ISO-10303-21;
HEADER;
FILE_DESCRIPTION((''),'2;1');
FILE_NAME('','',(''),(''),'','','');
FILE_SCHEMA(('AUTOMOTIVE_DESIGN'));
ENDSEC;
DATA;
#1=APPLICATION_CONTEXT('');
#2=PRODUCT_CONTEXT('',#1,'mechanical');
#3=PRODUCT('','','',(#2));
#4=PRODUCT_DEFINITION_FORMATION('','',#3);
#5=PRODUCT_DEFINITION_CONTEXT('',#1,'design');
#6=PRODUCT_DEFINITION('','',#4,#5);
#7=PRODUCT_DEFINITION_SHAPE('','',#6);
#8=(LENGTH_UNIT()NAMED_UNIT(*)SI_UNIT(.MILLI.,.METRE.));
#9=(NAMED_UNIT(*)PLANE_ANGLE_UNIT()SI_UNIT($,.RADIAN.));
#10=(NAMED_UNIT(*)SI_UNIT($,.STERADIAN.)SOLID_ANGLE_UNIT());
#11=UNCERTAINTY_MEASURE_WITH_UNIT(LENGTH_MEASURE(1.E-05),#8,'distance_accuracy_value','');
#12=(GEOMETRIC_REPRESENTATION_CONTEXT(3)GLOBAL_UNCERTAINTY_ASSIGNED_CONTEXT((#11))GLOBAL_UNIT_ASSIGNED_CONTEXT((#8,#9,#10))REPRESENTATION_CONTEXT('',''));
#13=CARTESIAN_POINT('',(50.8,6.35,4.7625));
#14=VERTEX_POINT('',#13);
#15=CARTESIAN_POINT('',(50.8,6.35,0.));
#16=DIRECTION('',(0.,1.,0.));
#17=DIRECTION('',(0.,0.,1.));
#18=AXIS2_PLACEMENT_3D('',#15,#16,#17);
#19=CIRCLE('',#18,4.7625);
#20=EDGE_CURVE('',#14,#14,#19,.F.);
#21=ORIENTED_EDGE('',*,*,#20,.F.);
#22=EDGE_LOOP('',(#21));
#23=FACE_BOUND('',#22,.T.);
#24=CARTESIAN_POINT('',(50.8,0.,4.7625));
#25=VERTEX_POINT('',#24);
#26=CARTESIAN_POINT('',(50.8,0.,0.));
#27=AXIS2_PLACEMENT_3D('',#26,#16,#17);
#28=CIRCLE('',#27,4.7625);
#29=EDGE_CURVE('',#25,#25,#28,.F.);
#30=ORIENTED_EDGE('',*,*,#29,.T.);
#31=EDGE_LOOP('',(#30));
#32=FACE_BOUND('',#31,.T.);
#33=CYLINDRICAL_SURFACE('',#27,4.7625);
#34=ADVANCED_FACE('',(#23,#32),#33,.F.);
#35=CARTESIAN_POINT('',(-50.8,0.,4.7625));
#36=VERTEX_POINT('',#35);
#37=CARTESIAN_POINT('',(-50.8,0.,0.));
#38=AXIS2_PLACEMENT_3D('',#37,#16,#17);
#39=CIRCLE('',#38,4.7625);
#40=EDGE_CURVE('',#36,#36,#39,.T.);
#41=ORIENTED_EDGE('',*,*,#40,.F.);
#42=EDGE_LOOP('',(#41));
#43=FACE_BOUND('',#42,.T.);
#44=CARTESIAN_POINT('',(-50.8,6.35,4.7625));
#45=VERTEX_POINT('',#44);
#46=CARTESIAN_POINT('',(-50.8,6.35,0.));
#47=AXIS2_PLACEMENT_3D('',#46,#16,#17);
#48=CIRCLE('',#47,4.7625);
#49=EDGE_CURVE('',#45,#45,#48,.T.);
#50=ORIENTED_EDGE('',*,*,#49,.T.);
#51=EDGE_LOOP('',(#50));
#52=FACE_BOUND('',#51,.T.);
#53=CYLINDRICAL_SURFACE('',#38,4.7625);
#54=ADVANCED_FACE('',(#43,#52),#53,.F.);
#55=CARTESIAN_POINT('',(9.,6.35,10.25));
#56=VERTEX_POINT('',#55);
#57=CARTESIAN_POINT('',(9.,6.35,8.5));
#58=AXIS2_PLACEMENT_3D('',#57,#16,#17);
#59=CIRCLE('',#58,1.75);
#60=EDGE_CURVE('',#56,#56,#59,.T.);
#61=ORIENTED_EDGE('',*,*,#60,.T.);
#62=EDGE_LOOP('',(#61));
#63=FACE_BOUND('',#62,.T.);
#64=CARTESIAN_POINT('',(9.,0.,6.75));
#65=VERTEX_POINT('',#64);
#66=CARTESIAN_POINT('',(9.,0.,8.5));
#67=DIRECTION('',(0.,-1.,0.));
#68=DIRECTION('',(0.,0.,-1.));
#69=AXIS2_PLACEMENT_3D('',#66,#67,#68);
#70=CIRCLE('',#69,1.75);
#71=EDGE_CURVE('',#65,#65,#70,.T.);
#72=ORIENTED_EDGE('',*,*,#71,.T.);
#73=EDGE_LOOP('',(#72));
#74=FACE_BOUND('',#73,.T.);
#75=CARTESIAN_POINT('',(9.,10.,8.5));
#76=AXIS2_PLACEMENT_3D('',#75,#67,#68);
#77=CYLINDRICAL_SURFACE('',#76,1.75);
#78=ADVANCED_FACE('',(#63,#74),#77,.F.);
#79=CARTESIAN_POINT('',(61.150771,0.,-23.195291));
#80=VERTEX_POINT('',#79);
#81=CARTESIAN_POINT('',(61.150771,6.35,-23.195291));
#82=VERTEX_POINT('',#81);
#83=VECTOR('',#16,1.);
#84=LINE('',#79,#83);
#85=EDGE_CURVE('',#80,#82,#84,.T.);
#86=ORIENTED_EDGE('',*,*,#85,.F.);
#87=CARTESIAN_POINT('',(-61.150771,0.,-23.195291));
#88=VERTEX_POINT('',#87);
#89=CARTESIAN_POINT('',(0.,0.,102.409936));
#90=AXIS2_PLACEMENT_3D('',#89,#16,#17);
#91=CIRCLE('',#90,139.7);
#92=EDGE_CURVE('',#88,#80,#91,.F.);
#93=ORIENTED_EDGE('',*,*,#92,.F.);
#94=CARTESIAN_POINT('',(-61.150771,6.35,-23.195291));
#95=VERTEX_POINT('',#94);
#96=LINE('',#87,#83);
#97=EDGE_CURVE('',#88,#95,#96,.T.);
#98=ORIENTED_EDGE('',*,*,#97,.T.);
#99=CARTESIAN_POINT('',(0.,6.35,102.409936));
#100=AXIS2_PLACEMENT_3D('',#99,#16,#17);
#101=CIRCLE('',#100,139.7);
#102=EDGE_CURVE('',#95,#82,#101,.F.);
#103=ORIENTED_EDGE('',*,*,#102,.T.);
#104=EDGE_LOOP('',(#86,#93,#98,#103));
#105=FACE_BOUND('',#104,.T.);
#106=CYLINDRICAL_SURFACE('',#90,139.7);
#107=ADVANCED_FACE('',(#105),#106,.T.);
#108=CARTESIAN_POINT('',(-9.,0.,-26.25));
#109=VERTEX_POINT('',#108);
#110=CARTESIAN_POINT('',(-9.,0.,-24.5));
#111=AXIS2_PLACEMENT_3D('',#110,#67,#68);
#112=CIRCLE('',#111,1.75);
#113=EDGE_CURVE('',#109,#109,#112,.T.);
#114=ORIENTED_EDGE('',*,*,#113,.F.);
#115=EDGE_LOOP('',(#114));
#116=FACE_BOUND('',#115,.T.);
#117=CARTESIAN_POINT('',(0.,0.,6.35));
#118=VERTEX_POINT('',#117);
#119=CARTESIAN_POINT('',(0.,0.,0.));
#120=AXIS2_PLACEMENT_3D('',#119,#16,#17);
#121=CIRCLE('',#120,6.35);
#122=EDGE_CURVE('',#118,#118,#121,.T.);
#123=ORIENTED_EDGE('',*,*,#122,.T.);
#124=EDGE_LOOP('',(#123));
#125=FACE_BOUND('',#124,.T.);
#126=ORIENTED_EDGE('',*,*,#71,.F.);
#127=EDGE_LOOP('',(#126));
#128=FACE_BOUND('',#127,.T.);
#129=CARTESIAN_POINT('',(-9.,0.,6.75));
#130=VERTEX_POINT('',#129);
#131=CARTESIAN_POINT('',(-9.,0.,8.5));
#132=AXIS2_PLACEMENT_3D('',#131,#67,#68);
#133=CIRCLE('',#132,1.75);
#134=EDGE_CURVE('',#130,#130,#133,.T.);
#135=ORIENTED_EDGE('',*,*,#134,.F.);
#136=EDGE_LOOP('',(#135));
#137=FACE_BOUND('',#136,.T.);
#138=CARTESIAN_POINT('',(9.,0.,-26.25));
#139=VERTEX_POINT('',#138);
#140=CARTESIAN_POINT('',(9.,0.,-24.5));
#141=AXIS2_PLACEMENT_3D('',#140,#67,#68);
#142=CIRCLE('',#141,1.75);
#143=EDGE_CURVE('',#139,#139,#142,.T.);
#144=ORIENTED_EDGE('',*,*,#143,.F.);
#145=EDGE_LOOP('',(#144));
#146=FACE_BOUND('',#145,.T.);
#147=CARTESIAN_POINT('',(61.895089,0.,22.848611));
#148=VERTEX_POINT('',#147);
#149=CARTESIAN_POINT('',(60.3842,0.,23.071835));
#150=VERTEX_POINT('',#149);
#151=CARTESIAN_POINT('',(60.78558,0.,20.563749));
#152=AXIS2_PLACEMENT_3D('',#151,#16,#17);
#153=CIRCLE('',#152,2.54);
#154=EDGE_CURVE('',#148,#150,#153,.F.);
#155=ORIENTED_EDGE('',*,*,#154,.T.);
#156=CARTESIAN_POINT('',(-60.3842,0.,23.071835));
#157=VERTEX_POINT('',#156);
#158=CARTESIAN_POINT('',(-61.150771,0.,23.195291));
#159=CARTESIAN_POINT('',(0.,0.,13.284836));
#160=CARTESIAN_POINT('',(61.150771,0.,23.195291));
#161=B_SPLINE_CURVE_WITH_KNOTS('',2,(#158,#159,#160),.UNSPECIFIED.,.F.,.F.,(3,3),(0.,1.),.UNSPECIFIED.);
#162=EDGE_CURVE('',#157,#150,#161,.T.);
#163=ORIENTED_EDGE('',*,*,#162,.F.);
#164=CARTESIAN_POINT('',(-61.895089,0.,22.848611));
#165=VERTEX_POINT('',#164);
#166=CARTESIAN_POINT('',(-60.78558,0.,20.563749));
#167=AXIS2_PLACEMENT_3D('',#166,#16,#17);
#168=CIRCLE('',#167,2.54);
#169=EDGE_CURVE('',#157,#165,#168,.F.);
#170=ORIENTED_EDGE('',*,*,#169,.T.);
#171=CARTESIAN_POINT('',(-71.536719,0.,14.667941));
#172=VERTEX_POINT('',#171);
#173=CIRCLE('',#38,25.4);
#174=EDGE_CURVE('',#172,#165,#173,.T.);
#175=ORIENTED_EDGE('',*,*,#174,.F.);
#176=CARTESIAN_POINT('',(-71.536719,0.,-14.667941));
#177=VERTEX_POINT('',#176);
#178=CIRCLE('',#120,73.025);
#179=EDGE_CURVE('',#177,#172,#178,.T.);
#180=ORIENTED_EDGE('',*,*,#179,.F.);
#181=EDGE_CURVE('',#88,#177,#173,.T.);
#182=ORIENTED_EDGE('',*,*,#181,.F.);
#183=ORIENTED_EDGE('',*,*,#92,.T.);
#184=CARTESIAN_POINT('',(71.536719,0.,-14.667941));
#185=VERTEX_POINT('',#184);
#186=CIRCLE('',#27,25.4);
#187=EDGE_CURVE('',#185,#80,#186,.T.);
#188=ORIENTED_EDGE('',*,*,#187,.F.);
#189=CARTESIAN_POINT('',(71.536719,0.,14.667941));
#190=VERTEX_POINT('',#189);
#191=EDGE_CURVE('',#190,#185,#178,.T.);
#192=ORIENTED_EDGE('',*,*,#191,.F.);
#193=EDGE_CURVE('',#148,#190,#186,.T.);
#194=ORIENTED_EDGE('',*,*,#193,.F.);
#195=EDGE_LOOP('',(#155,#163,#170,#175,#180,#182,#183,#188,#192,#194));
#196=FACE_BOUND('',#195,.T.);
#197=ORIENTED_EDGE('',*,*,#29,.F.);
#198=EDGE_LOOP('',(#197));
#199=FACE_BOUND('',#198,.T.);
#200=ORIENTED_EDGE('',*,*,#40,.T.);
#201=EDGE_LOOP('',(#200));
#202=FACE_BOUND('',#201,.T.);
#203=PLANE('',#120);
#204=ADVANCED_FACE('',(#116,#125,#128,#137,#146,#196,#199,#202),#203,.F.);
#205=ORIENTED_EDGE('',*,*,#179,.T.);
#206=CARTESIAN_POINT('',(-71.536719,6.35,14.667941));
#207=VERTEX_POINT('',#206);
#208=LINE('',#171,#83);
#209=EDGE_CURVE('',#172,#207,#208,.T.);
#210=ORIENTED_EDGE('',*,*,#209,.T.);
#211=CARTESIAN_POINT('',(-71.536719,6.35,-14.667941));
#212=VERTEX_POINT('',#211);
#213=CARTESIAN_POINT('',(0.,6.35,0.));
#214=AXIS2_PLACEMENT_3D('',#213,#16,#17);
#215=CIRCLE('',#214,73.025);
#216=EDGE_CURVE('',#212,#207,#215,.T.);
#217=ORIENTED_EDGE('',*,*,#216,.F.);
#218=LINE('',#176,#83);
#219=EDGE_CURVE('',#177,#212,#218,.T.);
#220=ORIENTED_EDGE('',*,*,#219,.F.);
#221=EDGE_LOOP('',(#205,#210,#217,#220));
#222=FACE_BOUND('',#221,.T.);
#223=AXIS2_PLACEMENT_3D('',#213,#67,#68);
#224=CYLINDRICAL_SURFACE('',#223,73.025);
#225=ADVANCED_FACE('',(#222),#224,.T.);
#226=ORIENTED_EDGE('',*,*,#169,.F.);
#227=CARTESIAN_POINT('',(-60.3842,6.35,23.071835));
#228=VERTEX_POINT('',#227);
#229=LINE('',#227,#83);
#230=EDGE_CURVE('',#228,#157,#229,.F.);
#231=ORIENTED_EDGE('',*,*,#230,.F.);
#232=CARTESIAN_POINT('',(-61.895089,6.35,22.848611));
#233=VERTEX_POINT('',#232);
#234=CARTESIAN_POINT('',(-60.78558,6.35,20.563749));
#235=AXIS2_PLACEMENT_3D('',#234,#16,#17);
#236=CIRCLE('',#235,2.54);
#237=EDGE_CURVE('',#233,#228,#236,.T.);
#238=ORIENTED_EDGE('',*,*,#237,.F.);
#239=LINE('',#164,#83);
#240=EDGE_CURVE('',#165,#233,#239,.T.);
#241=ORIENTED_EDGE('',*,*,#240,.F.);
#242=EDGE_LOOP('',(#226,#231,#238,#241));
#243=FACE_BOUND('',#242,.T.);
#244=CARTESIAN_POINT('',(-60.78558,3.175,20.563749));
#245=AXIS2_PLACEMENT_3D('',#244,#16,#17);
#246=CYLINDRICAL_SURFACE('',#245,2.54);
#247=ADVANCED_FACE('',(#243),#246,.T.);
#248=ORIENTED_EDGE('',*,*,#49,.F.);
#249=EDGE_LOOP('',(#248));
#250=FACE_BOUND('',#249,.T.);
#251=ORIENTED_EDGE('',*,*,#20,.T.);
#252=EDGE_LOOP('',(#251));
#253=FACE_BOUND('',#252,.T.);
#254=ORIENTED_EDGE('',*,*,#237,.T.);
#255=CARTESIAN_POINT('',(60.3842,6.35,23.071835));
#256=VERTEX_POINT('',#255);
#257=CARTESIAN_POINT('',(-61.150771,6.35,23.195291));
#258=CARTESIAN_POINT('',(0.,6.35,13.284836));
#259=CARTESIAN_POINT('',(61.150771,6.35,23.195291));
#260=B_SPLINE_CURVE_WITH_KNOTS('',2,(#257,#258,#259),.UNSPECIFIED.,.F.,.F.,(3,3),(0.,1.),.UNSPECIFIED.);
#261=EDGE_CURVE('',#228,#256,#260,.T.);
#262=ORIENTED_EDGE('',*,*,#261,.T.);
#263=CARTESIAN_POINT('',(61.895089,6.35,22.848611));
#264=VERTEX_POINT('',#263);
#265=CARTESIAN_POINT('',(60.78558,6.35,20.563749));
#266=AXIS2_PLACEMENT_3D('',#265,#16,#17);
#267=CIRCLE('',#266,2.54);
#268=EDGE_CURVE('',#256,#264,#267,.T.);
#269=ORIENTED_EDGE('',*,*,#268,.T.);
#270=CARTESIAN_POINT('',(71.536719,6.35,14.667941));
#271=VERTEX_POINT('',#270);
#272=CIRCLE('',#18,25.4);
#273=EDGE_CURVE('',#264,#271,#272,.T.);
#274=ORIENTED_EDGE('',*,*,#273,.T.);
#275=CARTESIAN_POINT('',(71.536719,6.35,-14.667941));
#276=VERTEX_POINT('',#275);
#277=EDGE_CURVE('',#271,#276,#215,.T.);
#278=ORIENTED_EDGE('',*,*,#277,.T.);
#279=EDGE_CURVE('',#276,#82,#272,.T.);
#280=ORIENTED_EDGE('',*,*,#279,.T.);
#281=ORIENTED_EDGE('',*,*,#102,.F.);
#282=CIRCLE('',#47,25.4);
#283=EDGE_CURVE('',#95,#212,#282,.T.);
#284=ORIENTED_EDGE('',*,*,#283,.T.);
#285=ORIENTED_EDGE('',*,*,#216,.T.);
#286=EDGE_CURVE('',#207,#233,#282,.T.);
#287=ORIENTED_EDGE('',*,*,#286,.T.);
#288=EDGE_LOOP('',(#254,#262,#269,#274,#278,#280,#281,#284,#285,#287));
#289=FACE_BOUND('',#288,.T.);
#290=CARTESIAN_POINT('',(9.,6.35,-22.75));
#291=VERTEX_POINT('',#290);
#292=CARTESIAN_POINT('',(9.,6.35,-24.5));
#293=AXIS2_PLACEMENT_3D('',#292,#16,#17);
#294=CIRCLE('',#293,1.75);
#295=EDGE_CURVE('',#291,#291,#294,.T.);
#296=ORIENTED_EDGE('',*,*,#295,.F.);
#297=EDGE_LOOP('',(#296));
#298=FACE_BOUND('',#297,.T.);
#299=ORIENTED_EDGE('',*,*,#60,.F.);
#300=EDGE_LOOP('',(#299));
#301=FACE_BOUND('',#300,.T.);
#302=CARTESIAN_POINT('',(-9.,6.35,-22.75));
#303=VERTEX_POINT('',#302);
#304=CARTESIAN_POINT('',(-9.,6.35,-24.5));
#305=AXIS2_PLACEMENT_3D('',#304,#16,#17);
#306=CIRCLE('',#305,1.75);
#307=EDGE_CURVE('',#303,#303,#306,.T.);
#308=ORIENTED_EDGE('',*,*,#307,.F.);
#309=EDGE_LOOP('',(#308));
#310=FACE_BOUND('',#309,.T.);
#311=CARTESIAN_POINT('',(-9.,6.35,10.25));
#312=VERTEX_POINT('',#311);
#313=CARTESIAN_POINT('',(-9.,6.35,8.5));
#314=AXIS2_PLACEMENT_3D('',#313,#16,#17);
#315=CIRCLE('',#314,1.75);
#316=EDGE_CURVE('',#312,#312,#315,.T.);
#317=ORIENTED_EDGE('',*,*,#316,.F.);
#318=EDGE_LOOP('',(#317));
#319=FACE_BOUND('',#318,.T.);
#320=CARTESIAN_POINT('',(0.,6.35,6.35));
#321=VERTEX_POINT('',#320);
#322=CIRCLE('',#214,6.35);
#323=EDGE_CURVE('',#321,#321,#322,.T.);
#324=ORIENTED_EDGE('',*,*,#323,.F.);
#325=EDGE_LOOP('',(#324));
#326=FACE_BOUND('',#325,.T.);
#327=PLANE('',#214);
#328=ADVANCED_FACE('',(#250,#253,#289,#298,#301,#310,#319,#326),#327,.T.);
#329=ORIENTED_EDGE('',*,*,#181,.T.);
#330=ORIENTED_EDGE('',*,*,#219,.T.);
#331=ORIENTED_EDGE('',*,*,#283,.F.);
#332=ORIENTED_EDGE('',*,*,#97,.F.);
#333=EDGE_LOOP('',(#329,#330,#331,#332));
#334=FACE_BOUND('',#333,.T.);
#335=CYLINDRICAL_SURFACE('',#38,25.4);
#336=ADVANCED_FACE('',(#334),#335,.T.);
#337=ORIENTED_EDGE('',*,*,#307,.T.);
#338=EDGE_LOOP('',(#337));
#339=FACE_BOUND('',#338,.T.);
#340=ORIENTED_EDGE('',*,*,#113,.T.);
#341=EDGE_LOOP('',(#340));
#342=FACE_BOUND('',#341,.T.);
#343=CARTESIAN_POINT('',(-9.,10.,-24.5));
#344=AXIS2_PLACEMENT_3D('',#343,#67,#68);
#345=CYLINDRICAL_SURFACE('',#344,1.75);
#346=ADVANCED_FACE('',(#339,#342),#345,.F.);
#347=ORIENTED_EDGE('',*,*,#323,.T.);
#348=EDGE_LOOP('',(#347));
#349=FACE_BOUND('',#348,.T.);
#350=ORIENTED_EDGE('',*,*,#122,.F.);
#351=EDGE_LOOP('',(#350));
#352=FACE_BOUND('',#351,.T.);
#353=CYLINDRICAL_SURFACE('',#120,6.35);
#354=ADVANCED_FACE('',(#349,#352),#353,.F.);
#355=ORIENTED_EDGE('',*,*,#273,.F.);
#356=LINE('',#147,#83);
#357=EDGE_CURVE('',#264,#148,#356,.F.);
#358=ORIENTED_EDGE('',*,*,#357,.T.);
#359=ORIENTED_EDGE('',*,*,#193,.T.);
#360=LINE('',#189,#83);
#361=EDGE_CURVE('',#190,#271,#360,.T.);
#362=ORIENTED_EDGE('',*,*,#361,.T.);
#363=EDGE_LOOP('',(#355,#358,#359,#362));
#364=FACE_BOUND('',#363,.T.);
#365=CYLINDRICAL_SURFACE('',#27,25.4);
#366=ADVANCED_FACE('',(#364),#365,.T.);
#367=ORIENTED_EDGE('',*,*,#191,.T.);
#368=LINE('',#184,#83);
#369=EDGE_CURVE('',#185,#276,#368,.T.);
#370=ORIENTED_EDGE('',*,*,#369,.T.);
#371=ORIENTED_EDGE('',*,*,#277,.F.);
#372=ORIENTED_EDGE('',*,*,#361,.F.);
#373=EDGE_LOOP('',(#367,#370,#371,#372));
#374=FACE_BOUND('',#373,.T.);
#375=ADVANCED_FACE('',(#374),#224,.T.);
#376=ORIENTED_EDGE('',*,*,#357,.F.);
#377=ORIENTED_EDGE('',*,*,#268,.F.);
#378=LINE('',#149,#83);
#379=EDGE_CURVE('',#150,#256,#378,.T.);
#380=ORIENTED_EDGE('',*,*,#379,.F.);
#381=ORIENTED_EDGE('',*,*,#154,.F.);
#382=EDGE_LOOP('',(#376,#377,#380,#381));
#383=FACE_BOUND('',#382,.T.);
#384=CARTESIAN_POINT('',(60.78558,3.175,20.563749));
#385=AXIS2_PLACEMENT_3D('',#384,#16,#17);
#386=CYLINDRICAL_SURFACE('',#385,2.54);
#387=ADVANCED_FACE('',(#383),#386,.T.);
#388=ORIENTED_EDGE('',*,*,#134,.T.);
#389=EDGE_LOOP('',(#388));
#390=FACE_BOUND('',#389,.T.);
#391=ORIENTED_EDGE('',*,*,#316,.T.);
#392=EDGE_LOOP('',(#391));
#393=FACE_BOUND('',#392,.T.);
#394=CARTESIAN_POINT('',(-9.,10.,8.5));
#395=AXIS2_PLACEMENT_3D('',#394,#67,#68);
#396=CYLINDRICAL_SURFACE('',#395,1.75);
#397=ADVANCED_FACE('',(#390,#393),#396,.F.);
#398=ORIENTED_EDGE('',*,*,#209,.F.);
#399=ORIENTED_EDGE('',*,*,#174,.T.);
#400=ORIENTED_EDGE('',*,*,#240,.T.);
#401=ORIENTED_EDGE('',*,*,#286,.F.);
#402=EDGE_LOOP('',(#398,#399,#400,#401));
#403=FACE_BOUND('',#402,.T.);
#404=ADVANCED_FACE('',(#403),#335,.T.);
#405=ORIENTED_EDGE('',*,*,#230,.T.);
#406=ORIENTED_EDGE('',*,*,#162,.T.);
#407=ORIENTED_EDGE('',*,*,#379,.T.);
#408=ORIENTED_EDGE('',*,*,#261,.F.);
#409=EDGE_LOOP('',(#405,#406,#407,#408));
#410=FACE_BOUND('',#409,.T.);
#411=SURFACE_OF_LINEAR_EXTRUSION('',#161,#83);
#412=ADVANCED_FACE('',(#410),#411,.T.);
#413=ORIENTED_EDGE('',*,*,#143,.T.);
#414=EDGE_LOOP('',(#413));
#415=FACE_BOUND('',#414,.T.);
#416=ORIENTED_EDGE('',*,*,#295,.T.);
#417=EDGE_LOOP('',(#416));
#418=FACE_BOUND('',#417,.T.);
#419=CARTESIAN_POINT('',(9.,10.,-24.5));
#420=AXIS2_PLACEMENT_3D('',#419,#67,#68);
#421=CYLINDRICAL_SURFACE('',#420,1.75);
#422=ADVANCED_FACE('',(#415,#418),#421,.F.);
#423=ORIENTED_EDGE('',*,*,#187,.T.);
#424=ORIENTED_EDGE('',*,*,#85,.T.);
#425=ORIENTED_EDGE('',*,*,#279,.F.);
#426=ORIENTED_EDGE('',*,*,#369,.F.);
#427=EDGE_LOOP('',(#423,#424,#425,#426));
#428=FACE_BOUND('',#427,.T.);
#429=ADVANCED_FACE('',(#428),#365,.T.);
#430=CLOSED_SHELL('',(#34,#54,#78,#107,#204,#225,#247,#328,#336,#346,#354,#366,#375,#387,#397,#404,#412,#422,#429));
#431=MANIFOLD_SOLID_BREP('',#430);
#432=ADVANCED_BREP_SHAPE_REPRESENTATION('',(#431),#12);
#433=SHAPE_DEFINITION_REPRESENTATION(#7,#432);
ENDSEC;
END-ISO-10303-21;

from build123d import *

# Parameters (mm, degrees)
SKETCH1_R           = 73.025
BOSS_EXTRUDE1_DEPTH = 6.35
CUT_EXTRUDE2_START  = -6.35
SKETCH2_R           = 4.7625
SKETCH2_R_2         = 6.35
CUT_EXTRUDE2_DEPTH  = 6.35
SKETCH3_R           = 1.75
SKETCH3_R_2         = 1.5
CUT_EXTRUDE3_DEPTH  = 10
CUT_EXTRUDE7_DEPTH  = 83.240634572
FILLET1_R           = 2.54


with BuildPart() as part:
    # Sketch1 → Boss-Extrude1 (new body)
    with BuildSketch(Plane(origin=(0, 0, 0), x_dir=(1, 0, 0), z_dir=(0, 1, 0))):
        with Locations(Location((0, 0, 0), (0, 0, 270))):
            Circle(SKETCH1_R)
    extrude(amount=BOSS_EXTRUDE1_DEPTH)

    # Sketch2 → Cut-Extrude2 (cut)
    with BuildSketch(Plane(origin=(0, 6.35, 0), x_dir=(1, 0, 0), z_dir=(0, 1, 0)).offset(CUT_EXTRUDE2_START)):
        with BuildLine():
            ThreePointArc((61.150770614, -23.195291499), (0, -37.290063688), (-61.150770614, -23.195291499))
            ThreePointArc((-61.150770614, -23.195291499), (-66.917906968, -19.630921399), (-71.53671875, -14.667941079))
            ThreePointArc((-71.53671875, -14.667941079), (0, -73.025), (71.53671875, -14.667941079))
            ThreePointArc((71.53671875, -14.667941079), (66.917906968, -19.630921399), (61.150770614, -23.195291499))
        make_face()
        with BuildLine():
            ThreePointArc((-61.150770614, 23.195291499), (0, 37.290063688), (61.150770614, 23.195291499))
            ThreePointArc((61.150770614, 23.195291499), (66.917906968, 19.630921399), (71.53671875, 14.667941079))
            ThreePointArc((71.53671875, 14.667941079), (0, 73.025), (-71.53671875, 14.667941079))
            ThreePointArc((-71.53671875, 14.667941079), (-66.917906968, 19.630921399), (-61.150770614, 23.195291499))
        make_face()
        with Locations(Location((-50.8, 0, 0), (0, 0, 270))):
            Circle(SKETCH2_R)
        with Locations(Location((50.8, 0, 0), (0, 0, 270))):
            Circle(SKETCH2_R)
        with Locations(Location((0, 0, 0), (0, 0, 270))):
            Circle(SKETCH2_R_2)
    extrude(amount=CUT_EXTRUDE2_DEPTH, mode=Mode.SUBTRACT)

    # Sketch3 → Cut-Extrude3 (cut)
    # profile 1 of 8: a face of its own
    with BuildSketch(Plane.XZ):
        with Locations(Location((-9, 8.5, 0), (0, 0, 270))):
            Circle(SKETCH3_R)
        with Locations((-9, 8.5)):
            Circle(SKETCH3_R_2, mode=Mode.SUBTRACT)
    # profile 2 of 8: a face of its own
    with BuildSketch(Plane.XZ):
        with Locations((-9, 8.5)):
            Circle(SKETCH3_R_2)
    # profile 3 of 8: a face of its own
    with BuildSketch(Plane.XZ):
        with Locations(Location((-9, -24.5, 0), (0, 0, 270))):
            Circle(SKETCH3_R)
        with Locations((-9, -24.5)):
            Circle(SKETCH3_R_2, mode=Mode.SUBTRACT)
    # profile 4 of 8: a face of its own
    with BuildSketch(Plane.XZ):
        with Locations((-9, -24.5)):
            Circle(SKETCH3_R_2)
    # profile 5 of 8: a face of its own
    with BuildSketch(Plane.XZ):
        with Locations(Location((9, -24.5, 0), (0, 0, 270))):
            Circle(SKETCH3_R)
        with Locations((9, -24.5)):
            Circle(SKETCH3_R_2, mode=Mode.SUBTRACT)
    # profile 6 of 8: a face of its own
    with BuildSketch(Plane.XZ):
        with Locations((9, -24.5)):
            Circle(SKETCH3_R_2)
    # profile 7 of 8: a face of its own
    with BuildSketch(Plane.XZ):
        with Locations(Location((9, 8.5, 0), (0, 0, 270))):
            Circle(SKETCH3_R)
        with Locations((9, 8.5)):
            Circle(SKETCH3_R_2, mode=Mode.SUBTRACT)
    # profile 8 of 8: a face of its own
    with BuildSketch(Plane.XZ):
        with Locations((9, 8.5)):
            Circle(SKETCH3_R_2)
    extrude(amount=-CUT_EXTRUDE3_DEPTH, mode=Mode.SUBTRACT)

    # Sketch5 → Cut-Extrude7 (cut, through all)
    with BuildSketch(Plane(origin=(0, 6.35, 0), x_dir=(1, 0, 0), z_dir=(0, 1, 0))):
        with BuildLine():
            add(Edge.make_bspline(
                [(-61.150770614, -23.195291499), (0, -13.284835877), (61.150770614, -23.195291499)],
                knots=[0, 0, 0, 1, 1, 1], degree=2))
            ThreePointArc((-61.150770614, -23.195291499), (0, -37.290063688), (61.150770614, -23.195291499))
        make_face()
    extrude(amount=-CUT_EXTRUDE7_DEPTH, mode=Mode.SUBTRACT)

    # Fillet1
    fillet1_edges = [part.edges().sort_by_distance(p)[0] for p in [
        (61.150770614, 3.175, 23.195291499),
        (-61.150770614, 3.175, 23.195291499),
    ]]
    fillet(fillet1_edges, radius=FILLET1_R)


solid = part.part
